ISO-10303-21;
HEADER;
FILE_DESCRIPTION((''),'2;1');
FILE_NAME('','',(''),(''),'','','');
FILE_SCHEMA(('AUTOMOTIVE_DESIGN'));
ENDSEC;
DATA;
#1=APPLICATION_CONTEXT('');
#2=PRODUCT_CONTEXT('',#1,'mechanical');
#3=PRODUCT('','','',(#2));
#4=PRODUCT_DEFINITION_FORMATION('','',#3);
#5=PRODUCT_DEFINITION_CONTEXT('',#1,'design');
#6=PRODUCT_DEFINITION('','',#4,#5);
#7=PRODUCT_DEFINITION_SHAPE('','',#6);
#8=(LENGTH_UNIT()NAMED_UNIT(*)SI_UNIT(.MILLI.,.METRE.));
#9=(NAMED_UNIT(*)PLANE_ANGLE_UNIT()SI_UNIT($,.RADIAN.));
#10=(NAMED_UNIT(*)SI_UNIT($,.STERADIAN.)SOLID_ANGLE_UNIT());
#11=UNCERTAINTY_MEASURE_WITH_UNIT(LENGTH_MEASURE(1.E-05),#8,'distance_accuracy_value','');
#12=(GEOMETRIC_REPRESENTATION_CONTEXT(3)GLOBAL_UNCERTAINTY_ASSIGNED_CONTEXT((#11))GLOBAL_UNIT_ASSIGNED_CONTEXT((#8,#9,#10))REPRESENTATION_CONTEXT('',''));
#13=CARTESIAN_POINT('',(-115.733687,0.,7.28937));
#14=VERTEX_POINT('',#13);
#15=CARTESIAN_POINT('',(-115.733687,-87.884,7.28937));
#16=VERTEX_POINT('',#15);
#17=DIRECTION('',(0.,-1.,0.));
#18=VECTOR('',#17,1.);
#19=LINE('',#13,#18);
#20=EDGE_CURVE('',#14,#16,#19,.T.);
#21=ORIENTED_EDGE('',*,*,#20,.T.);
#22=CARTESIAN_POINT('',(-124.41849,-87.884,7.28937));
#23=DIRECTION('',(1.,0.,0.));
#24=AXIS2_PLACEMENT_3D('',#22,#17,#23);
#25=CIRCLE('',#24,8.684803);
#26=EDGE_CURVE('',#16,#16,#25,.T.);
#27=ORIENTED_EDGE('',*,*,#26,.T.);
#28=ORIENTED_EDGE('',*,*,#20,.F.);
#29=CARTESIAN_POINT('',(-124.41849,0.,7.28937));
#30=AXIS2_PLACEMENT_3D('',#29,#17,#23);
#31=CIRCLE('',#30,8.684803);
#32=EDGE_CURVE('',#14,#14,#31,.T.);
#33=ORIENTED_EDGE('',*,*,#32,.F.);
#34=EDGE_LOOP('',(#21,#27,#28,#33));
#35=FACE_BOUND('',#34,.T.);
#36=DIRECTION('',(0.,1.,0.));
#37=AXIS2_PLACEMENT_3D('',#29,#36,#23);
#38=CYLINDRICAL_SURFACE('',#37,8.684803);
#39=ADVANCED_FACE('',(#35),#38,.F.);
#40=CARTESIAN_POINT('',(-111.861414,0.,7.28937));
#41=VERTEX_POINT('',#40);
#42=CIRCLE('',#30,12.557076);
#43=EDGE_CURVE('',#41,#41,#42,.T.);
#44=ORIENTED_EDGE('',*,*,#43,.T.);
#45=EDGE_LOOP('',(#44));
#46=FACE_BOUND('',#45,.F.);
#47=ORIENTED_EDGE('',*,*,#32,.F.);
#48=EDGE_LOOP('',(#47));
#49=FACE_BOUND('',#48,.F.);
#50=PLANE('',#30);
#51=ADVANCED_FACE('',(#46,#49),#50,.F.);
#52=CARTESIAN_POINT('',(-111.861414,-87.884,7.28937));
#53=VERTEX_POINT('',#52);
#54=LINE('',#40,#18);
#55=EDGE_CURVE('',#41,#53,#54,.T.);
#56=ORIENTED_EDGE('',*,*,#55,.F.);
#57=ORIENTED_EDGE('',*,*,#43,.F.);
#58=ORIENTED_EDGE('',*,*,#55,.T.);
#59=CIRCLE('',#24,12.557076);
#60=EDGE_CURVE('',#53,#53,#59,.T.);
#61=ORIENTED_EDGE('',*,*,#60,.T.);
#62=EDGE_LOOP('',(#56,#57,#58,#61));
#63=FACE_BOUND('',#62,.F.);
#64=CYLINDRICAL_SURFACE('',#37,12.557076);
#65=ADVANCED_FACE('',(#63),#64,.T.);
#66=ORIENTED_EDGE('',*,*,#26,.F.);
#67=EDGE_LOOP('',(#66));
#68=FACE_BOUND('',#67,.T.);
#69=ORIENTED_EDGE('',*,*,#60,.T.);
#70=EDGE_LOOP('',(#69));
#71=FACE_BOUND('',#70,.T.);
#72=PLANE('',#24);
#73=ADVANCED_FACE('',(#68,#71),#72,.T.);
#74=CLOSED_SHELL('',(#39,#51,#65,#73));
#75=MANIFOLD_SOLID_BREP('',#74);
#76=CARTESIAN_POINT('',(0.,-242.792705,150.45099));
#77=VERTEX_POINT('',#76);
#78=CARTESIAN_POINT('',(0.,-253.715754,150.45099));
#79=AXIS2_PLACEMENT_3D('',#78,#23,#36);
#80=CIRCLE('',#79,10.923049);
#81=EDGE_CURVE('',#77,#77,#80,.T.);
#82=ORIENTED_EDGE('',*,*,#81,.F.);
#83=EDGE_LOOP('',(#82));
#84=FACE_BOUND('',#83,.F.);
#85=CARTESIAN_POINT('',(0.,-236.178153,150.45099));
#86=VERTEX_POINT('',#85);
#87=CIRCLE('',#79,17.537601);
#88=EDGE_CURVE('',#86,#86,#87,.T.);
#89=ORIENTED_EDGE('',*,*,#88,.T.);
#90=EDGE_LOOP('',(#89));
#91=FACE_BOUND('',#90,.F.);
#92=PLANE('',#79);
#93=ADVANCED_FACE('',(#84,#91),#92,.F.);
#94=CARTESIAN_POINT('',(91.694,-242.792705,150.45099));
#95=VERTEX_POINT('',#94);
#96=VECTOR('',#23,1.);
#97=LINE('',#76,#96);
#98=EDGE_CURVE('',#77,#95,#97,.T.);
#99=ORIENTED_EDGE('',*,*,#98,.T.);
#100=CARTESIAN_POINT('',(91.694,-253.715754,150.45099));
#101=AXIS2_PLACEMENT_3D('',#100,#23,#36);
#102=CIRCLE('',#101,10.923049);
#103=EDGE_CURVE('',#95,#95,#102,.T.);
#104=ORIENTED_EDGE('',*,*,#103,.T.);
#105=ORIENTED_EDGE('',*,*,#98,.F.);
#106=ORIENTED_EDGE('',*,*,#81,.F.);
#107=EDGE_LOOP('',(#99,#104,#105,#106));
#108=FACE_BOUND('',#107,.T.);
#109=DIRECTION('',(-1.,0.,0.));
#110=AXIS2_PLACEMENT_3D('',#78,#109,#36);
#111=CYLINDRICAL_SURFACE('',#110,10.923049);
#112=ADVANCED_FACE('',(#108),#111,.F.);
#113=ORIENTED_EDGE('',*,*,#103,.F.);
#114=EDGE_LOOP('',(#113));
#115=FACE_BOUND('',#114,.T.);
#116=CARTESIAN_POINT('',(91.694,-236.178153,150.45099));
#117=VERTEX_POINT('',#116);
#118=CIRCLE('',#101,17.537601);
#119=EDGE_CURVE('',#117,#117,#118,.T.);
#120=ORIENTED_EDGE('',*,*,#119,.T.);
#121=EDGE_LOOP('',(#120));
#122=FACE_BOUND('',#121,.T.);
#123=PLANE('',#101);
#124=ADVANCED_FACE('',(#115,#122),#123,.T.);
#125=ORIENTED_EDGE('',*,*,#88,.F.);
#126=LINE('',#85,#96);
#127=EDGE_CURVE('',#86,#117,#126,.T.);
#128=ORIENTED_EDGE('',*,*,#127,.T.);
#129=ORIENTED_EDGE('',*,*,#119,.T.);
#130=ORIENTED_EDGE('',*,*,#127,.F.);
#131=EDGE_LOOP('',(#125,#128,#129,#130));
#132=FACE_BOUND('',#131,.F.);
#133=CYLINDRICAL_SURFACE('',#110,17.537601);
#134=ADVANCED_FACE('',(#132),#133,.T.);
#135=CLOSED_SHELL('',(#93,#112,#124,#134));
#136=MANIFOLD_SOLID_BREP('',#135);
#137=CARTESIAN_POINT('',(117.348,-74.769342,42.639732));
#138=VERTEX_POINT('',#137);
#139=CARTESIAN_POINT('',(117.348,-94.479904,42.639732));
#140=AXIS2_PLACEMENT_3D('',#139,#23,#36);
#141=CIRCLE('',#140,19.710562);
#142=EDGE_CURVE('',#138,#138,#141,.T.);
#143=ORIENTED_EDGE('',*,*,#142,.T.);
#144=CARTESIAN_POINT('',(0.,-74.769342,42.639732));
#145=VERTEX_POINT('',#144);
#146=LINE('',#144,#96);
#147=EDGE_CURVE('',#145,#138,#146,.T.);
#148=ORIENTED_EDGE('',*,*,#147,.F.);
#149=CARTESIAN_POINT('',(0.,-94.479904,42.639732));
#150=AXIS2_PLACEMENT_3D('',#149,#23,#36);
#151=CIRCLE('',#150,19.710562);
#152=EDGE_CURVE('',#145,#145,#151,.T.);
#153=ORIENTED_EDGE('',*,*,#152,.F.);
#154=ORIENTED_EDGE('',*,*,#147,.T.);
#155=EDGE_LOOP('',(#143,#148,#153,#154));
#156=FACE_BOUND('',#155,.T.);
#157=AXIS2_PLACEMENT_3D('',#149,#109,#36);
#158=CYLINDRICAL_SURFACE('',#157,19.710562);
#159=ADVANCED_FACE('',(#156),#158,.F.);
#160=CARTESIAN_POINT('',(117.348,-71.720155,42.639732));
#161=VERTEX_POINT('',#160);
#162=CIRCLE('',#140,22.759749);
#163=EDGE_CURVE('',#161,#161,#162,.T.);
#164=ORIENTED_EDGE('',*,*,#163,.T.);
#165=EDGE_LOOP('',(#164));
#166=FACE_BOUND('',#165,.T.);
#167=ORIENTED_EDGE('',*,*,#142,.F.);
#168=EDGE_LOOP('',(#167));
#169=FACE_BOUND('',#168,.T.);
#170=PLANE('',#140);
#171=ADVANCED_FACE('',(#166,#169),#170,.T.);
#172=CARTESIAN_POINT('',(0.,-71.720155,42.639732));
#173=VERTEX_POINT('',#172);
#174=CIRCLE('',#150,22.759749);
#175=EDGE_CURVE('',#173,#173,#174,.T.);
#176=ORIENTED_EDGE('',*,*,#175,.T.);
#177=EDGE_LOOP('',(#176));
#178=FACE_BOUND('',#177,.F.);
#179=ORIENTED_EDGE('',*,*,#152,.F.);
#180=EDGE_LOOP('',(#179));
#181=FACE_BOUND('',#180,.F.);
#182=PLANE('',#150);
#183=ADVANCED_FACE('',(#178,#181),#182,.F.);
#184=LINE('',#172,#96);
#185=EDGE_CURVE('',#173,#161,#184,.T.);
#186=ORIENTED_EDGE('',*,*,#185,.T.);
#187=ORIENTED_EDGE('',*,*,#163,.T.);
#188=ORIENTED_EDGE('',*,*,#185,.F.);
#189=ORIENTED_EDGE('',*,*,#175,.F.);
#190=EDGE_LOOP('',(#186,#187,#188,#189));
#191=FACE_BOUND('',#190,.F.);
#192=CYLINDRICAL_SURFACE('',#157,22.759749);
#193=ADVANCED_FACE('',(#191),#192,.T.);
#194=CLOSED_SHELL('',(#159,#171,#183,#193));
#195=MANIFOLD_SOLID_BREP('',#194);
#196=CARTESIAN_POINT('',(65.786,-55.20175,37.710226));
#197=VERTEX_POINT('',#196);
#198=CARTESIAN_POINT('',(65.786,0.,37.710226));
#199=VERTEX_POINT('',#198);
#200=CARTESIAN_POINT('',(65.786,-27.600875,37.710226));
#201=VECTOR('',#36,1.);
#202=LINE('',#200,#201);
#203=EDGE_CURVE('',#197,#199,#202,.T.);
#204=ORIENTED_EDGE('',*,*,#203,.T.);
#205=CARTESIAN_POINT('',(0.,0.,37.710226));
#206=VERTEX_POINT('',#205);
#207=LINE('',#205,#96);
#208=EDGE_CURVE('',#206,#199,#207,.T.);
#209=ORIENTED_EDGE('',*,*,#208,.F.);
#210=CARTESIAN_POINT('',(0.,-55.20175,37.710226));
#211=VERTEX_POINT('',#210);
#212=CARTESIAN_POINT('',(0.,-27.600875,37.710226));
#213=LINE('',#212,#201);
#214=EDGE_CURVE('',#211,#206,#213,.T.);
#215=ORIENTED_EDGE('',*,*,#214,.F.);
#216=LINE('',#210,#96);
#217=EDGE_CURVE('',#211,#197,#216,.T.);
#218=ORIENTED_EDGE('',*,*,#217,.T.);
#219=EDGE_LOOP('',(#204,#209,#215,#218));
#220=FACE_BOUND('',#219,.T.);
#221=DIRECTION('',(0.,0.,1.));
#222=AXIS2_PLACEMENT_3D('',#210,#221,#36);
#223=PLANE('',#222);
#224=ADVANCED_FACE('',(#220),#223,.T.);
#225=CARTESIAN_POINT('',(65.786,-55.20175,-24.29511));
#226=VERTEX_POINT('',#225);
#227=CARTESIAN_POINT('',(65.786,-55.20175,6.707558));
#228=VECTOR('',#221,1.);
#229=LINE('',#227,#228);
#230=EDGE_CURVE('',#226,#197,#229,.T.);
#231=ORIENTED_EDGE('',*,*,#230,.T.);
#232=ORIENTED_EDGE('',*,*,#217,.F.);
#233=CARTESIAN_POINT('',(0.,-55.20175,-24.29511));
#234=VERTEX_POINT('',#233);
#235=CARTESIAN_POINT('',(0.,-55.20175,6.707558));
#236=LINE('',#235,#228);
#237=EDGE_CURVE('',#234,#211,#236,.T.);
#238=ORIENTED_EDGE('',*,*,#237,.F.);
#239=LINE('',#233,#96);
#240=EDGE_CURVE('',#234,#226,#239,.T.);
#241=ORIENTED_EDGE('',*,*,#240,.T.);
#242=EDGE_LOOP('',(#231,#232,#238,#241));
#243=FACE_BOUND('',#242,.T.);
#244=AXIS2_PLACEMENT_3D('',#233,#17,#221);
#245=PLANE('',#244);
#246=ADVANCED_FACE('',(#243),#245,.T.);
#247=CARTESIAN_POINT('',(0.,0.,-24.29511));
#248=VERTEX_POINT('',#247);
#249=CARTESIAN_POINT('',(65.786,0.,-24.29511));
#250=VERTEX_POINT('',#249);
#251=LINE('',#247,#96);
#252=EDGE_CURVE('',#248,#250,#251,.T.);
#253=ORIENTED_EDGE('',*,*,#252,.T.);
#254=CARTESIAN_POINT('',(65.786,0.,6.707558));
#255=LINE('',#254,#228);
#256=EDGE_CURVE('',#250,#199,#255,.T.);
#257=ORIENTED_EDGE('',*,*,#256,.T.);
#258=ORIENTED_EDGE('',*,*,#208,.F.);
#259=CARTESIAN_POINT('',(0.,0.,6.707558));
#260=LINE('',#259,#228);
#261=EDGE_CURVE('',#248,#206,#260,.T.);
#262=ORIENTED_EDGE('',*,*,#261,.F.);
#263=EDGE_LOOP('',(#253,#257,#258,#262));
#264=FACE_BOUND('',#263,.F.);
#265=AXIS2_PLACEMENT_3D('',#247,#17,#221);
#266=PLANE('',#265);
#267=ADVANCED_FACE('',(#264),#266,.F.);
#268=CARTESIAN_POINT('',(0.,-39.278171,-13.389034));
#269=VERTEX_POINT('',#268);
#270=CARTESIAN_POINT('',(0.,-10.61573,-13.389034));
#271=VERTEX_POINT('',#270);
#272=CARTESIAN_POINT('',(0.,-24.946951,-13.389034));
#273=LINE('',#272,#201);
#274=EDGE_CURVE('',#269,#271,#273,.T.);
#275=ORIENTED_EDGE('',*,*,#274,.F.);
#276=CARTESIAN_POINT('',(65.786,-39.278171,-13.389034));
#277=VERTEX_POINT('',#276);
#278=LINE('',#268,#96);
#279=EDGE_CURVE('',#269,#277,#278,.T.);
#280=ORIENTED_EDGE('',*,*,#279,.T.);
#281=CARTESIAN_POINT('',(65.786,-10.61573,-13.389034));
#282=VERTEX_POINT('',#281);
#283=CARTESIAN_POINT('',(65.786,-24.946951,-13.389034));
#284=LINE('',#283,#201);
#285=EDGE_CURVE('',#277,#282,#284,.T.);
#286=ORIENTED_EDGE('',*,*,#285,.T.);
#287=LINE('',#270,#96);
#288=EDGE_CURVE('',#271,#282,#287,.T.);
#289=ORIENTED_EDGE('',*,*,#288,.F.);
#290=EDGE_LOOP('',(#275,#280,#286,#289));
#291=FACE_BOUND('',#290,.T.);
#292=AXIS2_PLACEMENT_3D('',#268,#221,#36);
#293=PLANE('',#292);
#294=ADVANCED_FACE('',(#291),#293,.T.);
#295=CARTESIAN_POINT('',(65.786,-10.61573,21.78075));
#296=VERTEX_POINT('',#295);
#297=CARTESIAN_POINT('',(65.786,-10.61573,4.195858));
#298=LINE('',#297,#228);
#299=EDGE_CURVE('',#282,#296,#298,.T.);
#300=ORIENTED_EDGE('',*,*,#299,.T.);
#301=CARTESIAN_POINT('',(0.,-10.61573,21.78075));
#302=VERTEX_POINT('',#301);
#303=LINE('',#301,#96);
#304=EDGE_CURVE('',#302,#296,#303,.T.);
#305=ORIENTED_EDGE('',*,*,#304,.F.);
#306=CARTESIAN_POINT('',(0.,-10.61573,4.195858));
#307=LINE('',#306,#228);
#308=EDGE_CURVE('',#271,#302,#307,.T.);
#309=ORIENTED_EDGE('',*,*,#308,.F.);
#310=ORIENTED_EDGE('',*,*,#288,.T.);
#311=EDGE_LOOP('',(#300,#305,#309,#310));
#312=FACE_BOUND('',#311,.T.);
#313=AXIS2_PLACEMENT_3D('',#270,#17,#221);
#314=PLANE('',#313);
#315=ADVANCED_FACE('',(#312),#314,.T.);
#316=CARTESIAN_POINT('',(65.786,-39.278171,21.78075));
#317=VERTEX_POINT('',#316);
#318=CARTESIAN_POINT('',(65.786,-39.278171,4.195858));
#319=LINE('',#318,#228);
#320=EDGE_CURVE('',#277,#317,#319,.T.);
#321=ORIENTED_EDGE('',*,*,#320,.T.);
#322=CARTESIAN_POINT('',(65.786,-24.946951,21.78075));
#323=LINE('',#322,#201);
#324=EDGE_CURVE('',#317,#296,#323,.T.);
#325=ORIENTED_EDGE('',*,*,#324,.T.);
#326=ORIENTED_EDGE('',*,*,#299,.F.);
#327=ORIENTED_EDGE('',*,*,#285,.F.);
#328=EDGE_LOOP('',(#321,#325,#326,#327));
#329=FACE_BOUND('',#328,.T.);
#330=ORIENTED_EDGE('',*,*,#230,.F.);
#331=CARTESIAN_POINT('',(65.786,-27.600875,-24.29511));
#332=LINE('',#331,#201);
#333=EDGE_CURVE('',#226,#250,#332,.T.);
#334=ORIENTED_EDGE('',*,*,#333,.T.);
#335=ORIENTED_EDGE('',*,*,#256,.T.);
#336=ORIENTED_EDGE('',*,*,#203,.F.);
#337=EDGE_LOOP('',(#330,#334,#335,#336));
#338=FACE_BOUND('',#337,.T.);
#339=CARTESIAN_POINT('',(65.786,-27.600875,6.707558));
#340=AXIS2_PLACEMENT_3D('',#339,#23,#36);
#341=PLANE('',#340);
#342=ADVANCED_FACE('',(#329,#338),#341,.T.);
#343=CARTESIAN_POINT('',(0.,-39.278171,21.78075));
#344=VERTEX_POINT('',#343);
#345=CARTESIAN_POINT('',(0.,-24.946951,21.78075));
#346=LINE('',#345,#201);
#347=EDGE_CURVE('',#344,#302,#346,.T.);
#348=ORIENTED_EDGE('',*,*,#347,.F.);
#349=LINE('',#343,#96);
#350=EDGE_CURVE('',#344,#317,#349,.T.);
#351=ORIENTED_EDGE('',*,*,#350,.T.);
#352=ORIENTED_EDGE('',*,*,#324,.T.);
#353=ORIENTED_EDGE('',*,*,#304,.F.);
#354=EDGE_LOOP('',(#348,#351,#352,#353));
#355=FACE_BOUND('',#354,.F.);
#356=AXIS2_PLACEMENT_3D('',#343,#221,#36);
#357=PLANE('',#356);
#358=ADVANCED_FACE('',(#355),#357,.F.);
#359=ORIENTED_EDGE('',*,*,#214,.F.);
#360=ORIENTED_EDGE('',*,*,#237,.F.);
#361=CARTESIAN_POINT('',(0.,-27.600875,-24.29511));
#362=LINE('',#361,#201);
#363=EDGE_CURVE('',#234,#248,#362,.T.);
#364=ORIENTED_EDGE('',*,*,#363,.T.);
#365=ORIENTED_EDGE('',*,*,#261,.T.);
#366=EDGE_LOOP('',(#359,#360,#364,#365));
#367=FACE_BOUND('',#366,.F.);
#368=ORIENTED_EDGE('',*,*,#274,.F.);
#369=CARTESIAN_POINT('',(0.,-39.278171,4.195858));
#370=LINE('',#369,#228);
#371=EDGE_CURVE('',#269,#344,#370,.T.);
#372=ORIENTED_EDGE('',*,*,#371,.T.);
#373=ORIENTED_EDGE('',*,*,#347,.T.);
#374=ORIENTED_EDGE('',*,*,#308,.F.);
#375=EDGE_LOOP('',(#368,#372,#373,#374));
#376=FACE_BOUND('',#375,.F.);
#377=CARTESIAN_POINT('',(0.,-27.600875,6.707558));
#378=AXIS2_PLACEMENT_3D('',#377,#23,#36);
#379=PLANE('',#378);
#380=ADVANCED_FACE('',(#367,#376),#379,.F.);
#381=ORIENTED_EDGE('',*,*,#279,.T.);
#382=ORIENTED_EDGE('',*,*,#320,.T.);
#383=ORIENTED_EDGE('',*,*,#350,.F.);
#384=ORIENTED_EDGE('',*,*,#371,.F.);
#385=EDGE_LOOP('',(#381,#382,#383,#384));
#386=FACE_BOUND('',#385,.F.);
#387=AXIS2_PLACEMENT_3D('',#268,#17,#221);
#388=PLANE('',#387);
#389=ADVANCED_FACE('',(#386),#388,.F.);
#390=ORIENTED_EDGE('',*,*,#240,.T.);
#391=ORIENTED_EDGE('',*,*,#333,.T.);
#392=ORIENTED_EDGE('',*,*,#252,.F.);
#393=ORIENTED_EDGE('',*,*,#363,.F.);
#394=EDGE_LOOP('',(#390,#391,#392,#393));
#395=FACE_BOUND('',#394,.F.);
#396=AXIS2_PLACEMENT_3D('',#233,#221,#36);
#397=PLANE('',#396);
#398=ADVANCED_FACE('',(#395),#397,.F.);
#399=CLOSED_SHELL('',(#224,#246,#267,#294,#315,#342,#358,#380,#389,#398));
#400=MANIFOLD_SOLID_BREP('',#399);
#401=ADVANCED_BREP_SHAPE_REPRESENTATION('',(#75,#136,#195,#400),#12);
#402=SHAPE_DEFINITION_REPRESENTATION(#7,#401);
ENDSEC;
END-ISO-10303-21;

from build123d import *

# Parameters (mm, degrees)
F0_R     = 12.557076
F0_R_2   = 8.684803
F1_DEPTH = 87.884
F2_R     = 17.537601
F2_R_2   = 10.923049
F3_DEPTH = 91.694
F4_R     = 22.759749
F4_R_2   = 19.710562
F5_DEPTH = 117.348
F6_W     = 55.20175
F6_H     = 62.005337
F6_W_2   = 28.662441
F6_H_2   = 35.169784
F7_DEPTH = 65.786


with BuildPart() as f1:
    # F0 (on Front) → F1 (new body)
    with BuildSketch(Plane.XZ):
        with Locations((-124.41849, 7.28937)):
            Circle(F0_R)
        with Locations((-124.41849, 7.28937)):
            Circle(F0_R_2, mode=Mode.SUBTRACT)
    extrude(amount=F1_DEPTH)


with BuildPart() as f3:
    # F2 (on Right) → F3 (new body)
    with BuildSketch(Plane.YZ):
        with Locations((-253.715754, 150.45099)):
            Circle(F2_R)
        with Locations((-253.715754, 150.45099)):
            Circle(F2_R_2, mode=Mode.SUBTRACT)
    extrude(amount=F3_DEPTH)


with BuildPart() as f5:
    # F4 (on Right) → F5 (new body)
    with BuildSketch(Plane.YZ):
        with Locations((-94.479904, 42.639732)):
            Circle(F4_R)
        with Locations((-94.479904, 42.639732)):
            Circle(F4_R_2, mode=Mode.SUBTRACT)
    extrude(amount=F5_DEPTH)


with BuildPart() as f7:
    # F6 (on Right) → F7 (new body)
    with BuildSketch(Plane.YZ):
        with Locations((-27.600875, 6.707558)):
            Rectangle(F6_W, F6_H)
        with Locations((-24.946951, 4.195858)):
            Rectangle(F6_W_2, F6_H_2, mode=Mode.SUBTRACT)
    extrude(amount=F7_DEPTH)


solid = Compound([f1.part, f3.part, f5.part, f7.part])
